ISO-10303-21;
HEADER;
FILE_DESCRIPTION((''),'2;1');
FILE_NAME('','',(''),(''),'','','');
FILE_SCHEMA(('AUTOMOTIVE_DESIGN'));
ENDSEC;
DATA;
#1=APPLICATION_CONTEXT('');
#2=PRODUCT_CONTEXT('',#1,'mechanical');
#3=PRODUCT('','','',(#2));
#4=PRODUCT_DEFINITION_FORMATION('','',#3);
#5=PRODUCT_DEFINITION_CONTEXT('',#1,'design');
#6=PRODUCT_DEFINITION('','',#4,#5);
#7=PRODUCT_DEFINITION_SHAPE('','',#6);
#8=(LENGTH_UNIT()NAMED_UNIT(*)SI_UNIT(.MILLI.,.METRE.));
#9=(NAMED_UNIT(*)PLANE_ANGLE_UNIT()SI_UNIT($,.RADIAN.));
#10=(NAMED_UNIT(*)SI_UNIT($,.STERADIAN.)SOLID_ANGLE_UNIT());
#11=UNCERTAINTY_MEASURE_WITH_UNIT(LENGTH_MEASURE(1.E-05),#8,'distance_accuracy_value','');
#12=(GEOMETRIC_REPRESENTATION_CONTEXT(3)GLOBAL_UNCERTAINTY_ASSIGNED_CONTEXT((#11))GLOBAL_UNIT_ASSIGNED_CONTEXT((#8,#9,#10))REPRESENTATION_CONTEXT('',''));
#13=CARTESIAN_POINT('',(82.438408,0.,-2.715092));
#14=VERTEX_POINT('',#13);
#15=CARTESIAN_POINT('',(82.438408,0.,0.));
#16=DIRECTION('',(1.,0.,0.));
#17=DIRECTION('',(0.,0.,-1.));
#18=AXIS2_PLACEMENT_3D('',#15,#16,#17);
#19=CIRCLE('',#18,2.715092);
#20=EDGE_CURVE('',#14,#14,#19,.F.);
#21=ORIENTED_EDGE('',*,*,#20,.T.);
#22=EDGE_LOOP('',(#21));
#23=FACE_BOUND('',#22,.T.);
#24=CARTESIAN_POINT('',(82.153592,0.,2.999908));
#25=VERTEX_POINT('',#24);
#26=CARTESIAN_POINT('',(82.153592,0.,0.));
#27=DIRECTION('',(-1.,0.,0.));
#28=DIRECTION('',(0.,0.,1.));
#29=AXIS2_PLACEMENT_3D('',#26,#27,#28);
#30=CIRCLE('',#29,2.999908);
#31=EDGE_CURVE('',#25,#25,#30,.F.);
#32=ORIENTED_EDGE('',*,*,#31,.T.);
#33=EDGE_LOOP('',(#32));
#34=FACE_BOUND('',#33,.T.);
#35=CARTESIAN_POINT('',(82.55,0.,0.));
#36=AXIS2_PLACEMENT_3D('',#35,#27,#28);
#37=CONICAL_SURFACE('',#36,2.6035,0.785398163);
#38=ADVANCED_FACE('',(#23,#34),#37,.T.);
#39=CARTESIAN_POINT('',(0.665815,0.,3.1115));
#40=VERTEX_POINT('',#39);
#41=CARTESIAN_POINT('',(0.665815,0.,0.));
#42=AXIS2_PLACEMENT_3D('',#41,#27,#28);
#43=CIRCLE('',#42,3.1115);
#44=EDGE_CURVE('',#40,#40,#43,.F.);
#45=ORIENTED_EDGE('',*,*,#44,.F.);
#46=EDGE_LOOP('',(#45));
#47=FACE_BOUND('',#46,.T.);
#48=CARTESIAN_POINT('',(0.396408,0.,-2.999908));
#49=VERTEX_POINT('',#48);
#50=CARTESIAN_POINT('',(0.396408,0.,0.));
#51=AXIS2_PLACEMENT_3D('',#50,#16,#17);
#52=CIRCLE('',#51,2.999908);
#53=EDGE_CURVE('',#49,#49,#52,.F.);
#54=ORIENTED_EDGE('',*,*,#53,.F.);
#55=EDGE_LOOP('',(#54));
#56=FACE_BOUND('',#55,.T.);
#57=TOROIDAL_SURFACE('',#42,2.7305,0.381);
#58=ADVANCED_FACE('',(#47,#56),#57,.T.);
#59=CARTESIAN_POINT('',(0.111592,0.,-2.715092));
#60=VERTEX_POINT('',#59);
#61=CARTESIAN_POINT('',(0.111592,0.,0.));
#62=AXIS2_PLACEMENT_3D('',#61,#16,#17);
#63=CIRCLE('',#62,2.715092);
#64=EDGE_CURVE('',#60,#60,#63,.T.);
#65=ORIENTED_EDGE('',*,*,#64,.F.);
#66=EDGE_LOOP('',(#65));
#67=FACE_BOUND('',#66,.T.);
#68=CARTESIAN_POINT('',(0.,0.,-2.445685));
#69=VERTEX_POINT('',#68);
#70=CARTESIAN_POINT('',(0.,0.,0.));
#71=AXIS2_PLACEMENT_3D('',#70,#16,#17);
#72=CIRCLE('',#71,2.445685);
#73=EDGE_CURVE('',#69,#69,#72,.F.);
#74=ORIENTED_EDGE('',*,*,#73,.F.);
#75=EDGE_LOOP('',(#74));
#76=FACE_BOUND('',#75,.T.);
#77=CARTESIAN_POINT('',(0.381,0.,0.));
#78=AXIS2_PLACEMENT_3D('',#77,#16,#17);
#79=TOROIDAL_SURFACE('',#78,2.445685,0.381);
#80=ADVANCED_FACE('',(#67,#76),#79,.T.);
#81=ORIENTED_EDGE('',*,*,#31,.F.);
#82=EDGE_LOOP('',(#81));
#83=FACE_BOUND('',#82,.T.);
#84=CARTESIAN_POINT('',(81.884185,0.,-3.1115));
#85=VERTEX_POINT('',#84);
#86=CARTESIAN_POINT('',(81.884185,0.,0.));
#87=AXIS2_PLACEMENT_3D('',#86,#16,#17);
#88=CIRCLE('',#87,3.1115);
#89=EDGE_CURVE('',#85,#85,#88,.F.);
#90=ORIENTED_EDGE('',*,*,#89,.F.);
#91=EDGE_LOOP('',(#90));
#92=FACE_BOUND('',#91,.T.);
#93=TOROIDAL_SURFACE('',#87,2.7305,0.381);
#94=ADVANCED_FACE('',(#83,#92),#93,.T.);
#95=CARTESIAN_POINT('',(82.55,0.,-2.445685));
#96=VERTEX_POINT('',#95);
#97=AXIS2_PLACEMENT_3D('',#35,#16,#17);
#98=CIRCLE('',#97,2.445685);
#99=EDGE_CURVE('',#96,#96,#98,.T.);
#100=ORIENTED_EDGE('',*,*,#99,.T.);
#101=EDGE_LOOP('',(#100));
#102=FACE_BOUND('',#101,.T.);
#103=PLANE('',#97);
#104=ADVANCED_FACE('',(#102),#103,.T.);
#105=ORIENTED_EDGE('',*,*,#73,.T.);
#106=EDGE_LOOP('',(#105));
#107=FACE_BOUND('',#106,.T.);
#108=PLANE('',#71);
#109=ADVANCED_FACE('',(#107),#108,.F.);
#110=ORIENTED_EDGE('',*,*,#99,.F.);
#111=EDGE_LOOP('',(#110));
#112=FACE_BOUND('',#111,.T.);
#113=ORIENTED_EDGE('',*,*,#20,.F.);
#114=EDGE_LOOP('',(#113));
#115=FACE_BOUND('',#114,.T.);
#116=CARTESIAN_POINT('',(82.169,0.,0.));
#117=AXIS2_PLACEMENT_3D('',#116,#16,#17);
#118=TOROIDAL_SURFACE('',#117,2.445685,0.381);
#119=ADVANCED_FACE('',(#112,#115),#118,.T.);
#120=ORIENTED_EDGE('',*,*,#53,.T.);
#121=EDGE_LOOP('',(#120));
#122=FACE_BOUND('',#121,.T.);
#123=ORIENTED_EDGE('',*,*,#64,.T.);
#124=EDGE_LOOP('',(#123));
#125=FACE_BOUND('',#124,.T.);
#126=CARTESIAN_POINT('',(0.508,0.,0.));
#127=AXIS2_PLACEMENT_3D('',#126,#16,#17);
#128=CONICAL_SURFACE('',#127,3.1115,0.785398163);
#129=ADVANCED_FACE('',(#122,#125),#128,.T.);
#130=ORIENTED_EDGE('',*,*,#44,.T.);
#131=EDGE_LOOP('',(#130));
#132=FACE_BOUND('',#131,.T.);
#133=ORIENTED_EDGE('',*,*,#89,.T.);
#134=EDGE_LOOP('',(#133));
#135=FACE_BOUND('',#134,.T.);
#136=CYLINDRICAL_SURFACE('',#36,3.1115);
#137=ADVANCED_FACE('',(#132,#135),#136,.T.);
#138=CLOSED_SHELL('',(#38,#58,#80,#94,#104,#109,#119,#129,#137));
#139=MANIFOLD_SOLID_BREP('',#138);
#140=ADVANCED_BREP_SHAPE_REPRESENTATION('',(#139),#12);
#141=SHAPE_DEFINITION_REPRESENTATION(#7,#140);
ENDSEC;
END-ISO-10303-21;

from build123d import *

# Parameters (mm, degrees)
SKETCH1_R           = 3.1115
BOSS_EXTRUDE1_DEPTH = 82.55
CHAMFER1_SIZE       = 0.508
FILLET1_R           = 0.381


with BuildPart() as part:
    # Sketch1 → Boss-Extrude1 (new body)
    with BuildSketch(Plane(origin=(0, 0, 0), x_dir=(0, 0, -1), z_dir=(1, 0, 0))):
        Circle(SKETCH1_R)
    extrude(amount=BOSS_EXTRUDE1_DEPTH)

    # Chamfer1
    chamfer1_edges = [part.edges().sort_by_distance(p)[0] for p in [
        (0, 0, 3.1115),
        (82.55, 0, 3.1115),
    ]]
    chamfer(chamfer1_edges, length=CHAMFER1_SIZE)

    # Fillet1
    fillet1_edges = [part.edges().sort_by_distance(p)[0] for p in [
        (82.55, 0, 2.6035),
        (0.508, 0, 3.1115),
        (82.042, 0, 3.1115),
        (0, 0, 2.6035),
    ]]
    fillet(fillet1_edges, radius=FILLET1_R)


solid = part.part
